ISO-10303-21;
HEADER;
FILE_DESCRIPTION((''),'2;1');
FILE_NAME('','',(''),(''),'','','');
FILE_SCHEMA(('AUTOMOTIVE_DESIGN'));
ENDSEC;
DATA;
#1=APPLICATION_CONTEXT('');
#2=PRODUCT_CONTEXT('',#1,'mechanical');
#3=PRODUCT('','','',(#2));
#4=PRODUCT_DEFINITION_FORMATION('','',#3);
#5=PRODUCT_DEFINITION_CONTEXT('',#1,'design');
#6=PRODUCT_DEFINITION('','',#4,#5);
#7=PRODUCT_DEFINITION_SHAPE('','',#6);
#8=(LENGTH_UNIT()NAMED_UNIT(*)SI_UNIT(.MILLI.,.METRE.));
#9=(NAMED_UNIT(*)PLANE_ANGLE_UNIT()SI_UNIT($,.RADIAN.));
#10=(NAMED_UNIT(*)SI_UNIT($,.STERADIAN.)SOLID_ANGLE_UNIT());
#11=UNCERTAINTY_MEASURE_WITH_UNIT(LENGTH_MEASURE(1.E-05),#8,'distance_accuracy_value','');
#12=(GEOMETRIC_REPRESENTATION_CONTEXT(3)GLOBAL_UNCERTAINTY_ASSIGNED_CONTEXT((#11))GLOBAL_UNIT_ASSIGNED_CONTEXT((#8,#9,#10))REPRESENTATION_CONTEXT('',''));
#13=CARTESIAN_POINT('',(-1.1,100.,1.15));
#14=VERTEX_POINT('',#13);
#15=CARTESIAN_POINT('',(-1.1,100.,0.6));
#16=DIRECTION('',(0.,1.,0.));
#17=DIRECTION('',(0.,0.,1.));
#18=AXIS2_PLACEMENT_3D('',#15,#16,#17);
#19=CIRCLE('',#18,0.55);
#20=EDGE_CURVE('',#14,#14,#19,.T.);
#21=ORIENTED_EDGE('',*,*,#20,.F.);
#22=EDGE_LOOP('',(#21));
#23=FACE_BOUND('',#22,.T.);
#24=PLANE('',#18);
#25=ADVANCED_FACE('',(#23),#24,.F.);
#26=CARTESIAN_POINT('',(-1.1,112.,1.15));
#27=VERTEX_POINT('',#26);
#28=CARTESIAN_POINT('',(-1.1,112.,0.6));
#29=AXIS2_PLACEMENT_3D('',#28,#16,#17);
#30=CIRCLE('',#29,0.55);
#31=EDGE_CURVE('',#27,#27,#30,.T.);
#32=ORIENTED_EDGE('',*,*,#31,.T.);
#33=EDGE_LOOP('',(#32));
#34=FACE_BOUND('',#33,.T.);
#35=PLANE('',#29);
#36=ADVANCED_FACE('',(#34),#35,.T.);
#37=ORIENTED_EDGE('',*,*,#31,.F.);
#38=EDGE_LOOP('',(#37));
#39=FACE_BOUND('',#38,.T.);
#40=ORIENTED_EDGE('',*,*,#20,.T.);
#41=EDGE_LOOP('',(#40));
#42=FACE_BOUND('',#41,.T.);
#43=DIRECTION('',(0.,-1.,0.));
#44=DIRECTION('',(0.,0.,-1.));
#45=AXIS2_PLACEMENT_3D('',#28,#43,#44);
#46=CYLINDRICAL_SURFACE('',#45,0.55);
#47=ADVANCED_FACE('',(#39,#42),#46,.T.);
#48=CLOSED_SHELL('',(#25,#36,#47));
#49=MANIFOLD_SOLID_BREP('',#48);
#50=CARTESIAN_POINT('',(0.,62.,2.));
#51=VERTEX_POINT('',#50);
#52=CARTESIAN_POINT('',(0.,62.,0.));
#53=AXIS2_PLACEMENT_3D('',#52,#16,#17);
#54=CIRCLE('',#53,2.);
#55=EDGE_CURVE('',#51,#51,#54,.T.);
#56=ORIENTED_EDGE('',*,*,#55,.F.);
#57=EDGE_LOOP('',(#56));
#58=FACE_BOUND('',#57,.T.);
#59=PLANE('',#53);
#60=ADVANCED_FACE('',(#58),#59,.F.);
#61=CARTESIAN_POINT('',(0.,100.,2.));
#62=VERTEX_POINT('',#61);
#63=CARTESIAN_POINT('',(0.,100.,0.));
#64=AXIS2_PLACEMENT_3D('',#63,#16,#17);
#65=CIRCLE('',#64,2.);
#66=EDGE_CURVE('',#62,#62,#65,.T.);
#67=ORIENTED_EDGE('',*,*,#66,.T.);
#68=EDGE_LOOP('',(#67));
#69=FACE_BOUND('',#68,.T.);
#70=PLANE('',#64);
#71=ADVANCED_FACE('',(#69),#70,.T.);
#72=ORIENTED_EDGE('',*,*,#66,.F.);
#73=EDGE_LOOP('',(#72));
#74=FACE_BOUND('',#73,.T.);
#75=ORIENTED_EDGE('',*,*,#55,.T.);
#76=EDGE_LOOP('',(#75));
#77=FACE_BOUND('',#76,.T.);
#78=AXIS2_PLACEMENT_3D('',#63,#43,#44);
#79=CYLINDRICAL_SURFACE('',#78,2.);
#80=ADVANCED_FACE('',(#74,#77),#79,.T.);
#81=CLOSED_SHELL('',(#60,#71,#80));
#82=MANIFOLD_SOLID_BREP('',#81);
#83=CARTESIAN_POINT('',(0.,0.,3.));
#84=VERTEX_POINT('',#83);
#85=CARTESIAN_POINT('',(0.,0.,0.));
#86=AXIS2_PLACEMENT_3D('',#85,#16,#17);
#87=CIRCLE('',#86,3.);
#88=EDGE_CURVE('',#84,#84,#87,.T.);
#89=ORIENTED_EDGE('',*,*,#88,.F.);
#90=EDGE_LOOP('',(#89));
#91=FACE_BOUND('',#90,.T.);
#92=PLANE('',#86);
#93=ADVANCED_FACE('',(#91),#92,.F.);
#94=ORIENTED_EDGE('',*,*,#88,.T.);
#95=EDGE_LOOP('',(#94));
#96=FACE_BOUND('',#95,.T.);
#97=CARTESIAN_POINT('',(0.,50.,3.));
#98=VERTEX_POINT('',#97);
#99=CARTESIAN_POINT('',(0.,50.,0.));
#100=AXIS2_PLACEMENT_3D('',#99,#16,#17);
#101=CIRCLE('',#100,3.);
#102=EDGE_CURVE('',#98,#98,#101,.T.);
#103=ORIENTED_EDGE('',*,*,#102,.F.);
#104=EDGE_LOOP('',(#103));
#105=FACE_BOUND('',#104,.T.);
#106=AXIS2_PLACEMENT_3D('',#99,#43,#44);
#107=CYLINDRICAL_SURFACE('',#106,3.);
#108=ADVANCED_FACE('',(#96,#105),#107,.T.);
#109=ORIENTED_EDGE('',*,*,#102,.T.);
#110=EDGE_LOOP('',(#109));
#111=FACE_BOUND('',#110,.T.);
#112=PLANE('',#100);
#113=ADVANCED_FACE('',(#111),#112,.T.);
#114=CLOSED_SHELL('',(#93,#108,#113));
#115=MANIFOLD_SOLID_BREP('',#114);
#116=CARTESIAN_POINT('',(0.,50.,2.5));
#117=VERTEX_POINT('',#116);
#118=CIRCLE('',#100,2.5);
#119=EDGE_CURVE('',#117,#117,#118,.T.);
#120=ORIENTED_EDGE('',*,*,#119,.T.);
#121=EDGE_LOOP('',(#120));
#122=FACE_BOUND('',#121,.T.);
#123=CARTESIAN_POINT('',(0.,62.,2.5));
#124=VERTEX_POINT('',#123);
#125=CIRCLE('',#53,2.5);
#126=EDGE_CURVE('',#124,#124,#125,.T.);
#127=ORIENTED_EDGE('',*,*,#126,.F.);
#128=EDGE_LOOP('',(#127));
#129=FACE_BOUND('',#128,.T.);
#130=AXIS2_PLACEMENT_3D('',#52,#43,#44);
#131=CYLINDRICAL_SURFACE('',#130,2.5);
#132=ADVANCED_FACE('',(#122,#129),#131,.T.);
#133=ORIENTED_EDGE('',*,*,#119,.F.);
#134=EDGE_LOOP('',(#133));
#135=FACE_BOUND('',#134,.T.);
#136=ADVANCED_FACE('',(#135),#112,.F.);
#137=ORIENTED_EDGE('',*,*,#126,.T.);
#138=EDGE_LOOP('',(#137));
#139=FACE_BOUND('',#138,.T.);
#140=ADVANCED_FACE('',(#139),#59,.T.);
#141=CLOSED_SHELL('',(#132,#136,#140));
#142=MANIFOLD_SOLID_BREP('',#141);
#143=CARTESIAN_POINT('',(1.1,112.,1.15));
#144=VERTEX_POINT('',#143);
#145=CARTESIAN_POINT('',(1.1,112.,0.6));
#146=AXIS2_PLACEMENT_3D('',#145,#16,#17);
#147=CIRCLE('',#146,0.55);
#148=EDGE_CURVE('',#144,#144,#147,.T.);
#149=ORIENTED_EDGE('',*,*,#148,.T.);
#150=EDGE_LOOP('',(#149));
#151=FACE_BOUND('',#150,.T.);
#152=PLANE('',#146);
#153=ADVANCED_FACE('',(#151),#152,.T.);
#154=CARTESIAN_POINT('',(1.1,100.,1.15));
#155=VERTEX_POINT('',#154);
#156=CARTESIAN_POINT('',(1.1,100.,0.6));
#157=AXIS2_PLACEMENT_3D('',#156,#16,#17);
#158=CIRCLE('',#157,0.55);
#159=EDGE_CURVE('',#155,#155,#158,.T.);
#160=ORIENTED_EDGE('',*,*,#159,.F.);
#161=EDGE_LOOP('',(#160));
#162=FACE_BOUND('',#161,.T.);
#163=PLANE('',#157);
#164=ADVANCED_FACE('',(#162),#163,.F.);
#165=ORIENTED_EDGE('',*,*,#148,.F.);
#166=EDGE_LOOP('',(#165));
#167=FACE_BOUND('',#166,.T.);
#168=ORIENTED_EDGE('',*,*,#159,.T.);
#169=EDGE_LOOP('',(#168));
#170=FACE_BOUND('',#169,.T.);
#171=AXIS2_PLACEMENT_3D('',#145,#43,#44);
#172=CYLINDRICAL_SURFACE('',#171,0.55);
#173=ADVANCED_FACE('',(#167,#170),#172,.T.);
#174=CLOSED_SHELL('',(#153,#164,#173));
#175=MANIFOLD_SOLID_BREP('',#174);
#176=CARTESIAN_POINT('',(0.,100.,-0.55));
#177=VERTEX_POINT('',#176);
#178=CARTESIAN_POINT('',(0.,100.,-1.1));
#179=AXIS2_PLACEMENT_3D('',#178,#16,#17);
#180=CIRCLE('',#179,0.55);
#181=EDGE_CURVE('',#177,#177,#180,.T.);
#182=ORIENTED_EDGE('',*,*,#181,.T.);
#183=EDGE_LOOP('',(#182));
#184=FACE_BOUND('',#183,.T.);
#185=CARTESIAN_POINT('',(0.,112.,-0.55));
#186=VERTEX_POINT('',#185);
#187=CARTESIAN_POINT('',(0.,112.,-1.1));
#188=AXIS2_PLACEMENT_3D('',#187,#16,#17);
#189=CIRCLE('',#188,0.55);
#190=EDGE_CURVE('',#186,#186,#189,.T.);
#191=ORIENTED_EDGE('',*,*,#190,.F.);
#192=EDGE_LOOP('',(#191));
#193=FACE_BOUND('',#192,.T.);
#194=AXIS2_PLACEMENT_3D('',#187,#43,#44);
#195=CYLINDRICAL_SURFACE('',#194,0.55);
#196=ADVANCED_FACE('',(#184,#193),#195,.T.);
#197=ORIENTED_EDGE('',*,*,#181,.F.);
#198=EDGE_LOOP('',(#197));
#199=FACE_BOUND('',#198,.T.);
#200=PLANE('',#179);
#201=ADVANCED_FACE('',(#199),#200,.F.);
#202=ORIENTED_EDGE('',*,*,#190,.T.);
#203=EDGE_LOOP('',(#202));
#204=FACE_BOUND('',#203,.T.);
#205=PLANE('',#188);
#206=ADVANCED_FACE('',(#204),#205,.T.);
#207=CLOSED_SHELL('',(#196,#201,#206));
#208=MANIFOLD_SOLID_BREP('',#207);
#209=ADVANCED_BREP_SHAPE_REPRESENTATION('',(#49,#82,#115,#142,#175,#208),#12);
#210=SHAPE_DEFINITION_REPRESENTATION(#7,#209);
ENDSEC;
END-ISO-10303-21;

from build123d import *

# Parameters (mm, degrees)
SK_STAINLESS_SHEATH_R  = 3
STAINLESS_SHEATH_DEPTH = 50
SLEEVE_START           = 50
SK_SLEEVE_R            = 2.5
SLEEVE_DEPTH           = 12
CABLE_START            = 62
SK_CABLE_R             = 2
CABLE_DEPTH            = 38
WIRE_START             = 100
SK_WIRE_RED_VDD_R      = 0.55
WIRE_RED_VDD_DEPTH     = 12
SK_WIRE_BLACK_GND_R    = 0.55
WIRE_BLACK_GND_DEPTH   = 12
SK_WIRE_YELLOW_DQ_R    = 0.55
WIRE_YELLOW_DQ_DEPTH   = 12


with BuildPart() as part:
    # SK Stainless sheath → Stainless sheath (new body)
    with BuildSketch(Plane(origin=(0, 0, 0), x_dir=(1, 0, 0), z_dir=(0, 1, 0))):
        with Locations(Location((0, 0, 0), (0, 0, 270))):
            Circle(SK_STAINLESS_SHEATH_R)
    extrude(amount=STAINLESS_SHEATH_DEPTH)


with BuildPart() as body_2:
    # SK Sleeve → Sleeve (new body)
    with BuildSketch(Plane(origin=(0, 0, 0), x_dir=(1, 0, 0), z_dir=(0, 1, 0)).offset(SLEEVE_START)):
        with Locations(Location((0, 0, 0), (0, 0, 270))):
            Circle(SK_SLEEVE_R)
    extrude(amount=SLEEVE_DEPTH)


with BuildPart() as body_3:
    # SK Cable → Cable (new body)
    with BuildSketch(Plane(origin=(0, 0, 0), x_dir=(1, 0, 0), z_dir=(0, 1, 0)).offset(CABLE_START)):
        with Locations(Location((0, 0, 0), (0, 0, 270))):
            Circle(SK_CABLE_R)
    extrude(amount=CABLE_DEPTH)


with BuildPart() as body_4:
    # SK Wire red VDD → Wire red VDD (new body)
    with BuildSketch(Plane(origin=(0, 0, 0), x_dir=(1, 0, 0), z_dir=(0, 1, 0)).offset(WIRE_START)):
        with Locations(Location((-1.1, -0.6, 0), (0, 0, 270))):
            Circle(SK_WIRE_RED_VDD_R)
    extrude(amount=WIRE_RED_VDD_DEPTH)


with BuildPart() as body_5:
    # SK Wire black GND → Wire black GND (new body)
    with BuildSketch(Plane(origin=(0, 0, 0), x_dir=(1, 0, 0), z_dir=(0, 1, 0)).offset(WIRE_START)):
        with Locations(Location((1.1, -0.6, 0), (0, 0, 270))):
            Circle(SK_WIRE_BLACK_GND_R)
    extrude(amount=WIRE_BLACK_GND_DEPTH)


with BuildPart() as body_6:
    # SK Wire yellow DQ → Wire yellow DQ (new body)
    with BuildSketch(Plane(origin=(0, 0, 0), x_dir=(1, 0, 0), z_dir=(0, 1, 0)).offset(WIRE_START)):
        with Locations(Location((0, 1.1, 0), (0, 0, 270))):
            Circle(SK_WIRE_YELLOW_DQ_R)
    extrude(amount=WIRE_YELLOW_DQ_DEPTH)


solid = Compound([part.part, body_2.part, body_3.part, body_4.part, body_5.part, body_6.part])
